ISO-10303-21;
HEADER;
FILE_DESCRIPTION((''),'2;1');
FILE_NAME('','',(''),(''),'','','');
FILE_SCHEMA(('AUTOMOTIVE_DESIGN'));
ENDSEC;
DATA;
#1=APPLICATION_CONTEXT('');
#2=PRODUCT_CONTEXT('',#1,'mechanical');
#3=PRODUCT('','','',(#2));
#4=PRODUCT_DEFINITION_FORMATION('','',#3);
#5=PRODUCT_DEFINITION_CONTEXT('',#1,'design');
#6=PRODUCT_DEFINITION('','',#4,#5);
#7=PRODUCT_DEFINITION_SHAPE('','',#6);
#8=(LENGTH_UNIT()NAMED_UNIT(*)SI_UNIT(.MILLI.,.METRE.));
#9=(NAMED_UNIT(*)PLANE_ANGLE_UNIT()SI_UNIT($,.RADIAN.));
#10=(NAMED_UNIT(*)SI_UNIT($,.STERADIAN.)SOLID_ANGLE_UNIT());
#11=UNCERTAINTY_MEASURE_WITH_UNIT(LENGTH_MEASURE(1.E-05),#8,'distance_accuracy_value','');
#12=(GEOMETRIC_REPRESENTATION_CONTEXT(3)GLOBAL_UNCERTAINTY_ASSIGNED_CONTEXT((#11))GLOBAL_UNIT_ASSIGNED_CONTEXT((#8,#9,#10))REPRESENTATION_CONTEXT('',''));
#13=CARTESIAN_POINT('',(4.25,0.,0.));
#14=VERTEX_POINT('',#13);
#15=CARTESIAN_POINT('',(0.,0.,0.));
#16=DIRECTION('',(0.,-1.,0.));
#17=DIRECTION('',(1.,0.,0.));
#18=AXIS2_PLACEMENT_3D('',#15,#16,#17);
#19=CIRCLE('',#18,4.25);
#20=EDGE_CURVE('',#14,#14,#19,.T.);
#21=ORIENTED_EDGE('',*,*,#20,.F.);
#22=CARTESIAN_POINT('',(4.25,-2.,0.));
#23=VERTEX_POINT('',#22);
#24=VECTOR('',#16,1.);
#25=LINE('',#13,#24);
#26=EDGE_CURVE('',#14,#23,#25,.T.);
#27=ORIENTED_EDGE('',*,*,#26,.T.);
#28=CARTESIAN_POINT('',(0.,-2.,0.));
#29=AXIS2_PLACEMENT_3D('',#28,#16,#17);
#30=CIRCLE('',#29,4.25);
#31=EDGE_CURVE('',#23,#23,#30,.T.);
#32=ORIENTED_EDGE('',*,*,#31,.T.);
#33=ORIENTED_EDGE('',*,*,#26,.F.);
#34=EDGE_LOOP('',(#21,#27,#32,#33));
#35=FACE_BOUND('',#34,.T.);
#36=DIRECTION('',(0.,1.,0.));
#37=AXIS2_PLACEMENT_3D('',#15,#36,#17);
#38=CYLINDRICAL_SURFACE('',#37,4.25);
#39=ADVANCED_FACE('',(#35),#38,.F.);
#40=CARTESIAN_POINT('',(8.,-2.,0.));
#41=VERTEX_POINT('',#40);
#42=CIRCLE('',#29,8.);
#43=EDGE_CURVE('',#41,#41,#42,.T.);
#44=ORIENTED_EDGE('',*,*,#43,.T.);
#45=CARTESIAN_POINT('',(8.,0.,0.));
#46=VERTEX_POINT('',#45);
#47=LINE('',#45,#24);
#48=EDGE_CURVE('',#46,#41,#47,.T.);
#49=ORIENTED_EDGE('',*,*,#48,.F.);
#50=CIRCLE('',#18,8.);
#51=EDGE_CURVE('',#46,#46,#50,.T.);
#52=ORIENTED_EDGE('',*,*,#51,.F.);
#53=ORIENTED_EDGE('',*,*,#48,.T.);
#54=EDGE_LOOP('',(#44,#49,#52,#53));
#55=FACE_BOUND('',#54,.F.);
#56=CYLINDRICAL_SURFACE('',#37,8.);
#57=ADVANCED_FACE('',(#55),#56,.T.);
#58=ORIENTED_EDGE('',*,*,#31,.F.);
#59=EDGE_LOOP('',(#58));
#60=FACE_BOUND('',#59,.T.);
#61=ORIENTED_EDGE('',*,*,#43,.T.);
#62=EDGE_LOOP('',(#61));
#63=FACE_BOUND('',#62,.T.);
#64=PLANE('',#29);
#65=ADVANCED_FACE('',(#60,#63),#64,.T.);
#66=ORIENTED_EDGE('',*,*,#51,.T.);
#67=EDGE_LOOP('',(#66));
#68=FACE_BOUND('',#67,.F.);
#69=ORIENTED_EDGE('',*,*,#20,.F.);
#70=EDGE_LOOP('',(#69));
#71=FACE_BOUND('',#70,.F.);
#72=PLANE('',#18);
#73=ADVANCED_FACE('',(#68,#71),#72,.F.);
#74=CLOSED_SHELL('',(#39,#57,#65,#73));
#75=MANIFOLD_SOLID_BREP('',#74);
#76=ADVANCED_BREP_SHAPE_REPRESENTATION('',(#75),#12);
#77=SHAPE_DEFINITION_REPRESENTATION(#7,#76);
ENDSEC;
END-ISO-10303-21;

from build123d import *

# Parameters (mm, degrees)
SKETCH_R   = 8
SKETCH_R_2 = 4.25
PAD_DEPTH  = 2


with BuildPart() as part:
    # Sketch → Pad (new body)
    with BuildSketch(Plane.XZ):
        Circle(SKETCH_R)
        Circle(SKETCH_R_2, mode=Mode.SUBTRACT)
    extrude(amount=PAD_DEPTH)


solid = part.part
